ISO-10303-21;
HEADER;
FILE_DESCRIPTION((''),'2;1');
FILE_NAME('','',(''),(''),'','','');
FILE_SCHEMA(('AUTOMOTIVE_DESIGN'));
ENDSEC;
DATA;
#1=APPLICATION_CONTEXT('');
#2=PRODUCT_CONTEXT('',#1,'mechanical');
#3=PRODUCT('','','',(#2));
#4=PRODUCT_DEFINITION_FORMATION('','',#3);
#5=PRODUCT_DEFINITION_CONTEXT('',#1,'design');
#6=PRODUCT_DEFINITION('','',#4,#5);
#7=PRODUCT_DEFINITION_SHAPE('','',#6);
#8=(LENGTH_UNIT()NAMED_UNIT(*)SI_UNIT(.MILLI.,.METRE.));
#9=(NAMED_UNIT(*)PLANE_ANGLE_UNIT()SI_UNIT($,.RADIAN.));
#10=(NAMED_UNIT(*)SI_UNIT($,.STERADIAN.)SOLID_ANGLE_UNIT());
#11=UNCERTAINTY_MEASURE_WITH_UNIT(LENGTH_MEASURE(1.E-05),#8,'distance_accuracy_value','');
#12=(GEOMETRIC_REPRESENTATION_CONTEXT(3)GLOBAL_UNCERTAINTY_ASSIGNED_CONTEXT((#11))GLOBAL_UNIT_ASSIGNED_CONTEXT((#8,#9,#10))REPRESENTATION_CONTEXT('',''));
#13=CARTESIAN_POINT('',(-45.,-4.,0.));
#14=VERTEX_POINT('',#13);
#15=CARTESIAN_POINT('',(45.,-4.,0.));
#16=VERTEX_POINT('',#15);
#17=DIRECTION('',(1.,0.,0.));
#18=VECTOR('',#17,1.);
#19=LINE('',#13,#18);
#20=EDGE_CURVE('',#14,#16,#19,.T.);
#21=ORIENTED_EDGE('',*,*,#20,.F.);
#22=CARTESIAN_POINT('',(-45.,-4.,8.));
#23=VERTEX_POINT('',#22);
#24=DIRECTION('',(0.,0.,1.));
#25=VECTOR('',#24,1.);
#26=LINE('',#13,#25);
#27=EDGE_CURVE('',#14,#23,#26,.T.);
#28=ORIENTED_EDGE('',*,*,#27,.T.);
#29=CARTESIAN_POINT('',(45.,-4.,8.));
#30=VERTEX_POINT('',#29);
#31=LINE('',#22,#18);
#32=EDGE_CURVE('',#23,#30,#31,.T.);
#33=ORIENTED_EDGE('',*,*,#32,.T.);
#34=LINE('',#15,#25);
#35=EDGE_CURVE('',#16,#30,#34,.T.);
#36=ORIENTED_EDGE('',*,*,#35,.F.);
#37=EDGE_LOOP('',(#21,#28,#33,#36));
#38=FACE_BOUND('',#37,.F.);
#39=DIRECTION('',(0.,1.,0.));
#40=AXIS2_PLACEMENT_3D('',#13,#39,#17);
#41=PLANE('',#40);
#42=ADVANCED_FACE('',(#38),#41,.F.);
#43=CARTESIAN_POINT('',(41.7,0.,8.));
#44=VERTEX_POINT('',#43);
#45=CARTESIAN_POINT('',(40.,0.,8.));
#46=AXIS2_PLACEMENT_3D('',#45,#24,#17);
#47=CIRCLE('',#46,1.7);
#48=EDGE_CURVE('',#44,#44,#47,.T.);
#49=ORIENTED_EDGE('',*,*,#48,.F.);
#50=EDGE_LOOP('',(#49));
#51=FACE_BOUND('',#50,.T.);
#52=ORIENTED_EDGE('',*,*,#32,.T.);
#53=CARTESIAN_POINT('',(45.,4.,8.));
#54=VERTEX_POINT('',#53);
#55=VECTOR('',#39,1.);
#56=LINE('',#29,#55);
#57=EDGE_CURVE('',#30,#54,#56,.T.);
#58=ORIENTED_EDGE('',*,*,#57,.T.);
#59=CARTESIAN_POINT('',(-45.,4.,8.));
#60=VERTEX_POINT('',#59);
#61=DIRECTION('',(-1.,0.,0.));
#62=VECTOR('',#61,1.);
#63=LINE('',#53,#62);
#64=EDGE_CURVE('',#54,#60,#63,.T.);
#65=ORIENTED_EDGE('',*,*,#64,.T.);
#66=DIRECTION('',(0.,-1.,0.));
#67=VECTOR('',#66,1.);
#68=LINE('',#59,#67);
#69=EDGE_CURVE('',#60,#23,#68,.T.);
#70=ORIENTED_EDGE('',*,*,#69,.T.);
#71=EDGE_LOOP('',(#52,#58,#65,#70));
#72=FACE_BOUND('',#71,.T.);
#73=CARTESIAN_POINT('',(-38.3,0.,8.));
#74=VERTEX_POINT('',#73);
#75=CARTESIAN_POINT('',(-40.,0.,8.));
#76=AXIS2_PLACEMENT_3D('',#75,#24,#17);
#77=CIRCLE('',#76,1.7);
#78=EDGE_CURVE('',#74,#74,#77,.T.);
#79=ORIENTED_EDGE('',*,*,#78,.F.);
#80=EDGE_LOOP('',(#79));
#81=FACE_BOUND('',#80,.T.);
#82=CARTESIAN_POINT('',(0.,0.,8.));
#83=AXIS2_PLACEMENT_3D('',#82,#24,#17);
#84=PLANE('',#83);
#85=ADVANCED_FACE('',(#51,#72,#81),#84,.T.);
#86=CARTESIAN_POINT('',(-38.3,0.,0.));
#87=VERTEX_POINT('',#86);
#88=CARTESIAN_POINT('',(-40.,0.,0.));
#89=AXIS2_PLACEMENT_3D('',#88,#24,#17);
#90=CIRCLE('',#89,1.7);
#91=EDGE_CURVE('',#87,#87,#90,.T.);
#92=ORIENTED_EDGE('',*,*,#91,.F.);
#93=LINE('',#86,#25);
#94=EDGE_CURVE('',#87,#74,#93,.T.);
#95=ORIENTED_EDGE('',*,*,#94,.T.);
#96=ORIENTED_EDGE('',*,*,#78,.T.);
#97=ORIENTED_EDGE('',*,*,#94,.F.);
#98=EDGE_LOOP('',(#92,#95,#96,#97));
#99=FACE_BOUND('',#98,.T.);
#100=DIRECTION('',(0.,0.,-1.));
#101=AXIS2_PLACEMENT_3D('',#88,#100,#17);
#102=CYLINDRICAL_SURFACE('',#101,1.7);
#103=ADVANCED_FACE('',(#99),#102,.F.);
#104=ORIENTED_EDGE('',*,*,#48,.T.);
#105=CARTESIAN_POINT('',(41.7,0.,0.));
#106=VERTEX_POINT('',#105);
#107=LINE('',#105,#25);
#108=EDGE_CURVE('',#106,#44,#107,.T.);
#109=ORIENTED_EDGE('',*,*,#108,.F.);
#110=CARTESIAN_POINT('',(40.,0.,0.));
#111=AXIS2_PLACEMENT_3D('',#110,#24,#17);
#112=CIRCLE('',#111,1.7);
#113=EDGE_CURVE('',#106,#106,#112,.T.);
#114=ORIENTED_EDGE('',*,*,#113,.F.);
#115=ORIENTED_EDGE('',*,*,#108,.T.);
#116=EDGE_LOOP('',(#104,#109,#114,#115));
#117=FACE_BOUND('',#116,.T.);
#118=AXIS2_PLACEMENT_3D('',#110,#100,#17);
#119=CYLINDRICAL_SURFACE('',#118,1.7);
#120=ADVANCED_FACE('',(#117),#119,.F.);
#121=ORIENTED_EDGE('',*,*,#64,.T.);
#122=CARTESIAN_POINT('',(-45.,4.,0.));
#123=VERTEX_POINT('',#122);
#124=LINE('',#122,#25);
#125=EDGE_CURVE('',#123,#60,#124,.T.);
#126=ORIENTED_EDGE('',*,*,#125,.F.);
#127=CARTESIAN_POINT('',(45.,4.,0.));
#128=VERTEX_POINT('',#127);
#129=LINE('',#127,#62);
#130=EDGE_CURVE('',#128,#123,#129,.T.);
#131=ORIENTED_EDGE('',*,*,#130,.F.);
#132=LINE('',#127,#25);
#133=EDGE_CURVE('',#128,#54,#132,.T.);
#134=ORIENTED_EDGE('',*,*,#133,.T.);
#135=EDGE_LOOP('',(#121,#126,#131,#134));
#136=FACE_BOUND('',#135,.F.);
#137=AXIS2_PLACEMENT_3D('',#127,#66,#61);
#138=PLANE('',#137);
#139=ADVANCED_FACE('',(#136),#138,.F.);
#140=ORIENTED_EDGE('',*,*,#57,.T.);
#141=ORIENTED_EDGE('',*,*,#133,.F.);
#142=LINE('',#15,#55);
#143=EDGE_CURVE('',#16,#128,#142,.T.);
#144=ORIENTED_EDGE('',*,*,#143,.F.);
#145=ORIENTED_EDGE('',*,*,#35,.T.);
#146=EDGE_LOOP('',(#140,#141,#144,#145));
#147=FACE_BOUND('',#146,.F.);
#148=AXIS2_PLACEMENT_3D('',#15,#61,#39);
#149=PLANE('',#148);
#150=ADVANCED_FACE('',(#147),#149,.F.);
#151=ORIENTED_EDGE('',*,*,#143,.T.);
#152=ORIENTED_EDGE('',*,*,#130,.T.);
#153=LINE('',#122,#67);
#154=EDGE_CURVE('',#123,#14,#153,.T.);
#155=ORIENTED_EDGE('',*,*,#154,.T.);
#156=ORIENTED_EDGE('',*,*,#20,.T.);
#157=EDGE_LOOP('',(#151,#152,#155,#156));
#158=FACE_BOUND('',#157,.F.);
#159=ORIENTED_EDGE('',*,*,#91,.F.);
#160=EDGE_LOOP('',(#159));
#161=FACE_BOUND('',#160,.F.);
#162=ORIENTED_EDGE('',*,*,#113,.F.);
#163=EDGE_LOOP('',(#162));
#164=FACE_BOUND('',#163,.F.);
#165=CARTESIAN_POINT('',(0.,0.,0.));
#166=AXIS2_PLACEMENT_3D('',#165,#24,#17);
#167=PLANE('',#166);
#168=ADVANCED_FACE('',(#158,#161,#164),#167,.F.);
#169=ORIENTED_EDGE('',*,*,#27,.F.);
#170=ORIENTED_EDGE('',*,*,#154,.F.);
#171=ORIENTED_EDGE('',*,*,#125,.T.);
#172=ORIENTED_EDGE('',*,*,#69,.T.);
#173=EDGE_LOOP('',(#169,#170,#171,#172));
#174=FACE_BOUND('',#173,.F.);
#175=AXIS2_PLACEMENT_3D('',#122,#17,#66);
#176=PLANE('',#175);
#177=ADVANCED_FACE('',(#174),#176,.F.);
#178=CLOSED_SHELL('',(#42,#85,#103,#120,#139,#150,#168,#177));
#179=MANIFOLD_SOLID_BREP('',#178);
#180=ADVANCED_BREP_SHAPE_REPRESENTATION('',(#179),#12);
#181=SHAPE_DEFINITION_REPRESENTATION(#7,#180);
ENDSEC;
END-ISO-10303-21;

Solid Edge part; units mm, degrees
sketch "Sketch1" plane through (0, 0, 0) normal (0, 0, 1) x (1, 0, 0)
  line L0 (-45, -4) -> (45, -4)
  line L1 (45, -4) -> (45, 4)
  line L2 (45, 4) -> (-45, 4)
  line L3 (-45, 4) -> (-45, -4)
  circle A0 centre (-40, 0) radius 1.7
  circle A1 centre (40, 0) radius 1.7
extrude "Protrusion1" add sketch "Sketch1" along normal blind 8
